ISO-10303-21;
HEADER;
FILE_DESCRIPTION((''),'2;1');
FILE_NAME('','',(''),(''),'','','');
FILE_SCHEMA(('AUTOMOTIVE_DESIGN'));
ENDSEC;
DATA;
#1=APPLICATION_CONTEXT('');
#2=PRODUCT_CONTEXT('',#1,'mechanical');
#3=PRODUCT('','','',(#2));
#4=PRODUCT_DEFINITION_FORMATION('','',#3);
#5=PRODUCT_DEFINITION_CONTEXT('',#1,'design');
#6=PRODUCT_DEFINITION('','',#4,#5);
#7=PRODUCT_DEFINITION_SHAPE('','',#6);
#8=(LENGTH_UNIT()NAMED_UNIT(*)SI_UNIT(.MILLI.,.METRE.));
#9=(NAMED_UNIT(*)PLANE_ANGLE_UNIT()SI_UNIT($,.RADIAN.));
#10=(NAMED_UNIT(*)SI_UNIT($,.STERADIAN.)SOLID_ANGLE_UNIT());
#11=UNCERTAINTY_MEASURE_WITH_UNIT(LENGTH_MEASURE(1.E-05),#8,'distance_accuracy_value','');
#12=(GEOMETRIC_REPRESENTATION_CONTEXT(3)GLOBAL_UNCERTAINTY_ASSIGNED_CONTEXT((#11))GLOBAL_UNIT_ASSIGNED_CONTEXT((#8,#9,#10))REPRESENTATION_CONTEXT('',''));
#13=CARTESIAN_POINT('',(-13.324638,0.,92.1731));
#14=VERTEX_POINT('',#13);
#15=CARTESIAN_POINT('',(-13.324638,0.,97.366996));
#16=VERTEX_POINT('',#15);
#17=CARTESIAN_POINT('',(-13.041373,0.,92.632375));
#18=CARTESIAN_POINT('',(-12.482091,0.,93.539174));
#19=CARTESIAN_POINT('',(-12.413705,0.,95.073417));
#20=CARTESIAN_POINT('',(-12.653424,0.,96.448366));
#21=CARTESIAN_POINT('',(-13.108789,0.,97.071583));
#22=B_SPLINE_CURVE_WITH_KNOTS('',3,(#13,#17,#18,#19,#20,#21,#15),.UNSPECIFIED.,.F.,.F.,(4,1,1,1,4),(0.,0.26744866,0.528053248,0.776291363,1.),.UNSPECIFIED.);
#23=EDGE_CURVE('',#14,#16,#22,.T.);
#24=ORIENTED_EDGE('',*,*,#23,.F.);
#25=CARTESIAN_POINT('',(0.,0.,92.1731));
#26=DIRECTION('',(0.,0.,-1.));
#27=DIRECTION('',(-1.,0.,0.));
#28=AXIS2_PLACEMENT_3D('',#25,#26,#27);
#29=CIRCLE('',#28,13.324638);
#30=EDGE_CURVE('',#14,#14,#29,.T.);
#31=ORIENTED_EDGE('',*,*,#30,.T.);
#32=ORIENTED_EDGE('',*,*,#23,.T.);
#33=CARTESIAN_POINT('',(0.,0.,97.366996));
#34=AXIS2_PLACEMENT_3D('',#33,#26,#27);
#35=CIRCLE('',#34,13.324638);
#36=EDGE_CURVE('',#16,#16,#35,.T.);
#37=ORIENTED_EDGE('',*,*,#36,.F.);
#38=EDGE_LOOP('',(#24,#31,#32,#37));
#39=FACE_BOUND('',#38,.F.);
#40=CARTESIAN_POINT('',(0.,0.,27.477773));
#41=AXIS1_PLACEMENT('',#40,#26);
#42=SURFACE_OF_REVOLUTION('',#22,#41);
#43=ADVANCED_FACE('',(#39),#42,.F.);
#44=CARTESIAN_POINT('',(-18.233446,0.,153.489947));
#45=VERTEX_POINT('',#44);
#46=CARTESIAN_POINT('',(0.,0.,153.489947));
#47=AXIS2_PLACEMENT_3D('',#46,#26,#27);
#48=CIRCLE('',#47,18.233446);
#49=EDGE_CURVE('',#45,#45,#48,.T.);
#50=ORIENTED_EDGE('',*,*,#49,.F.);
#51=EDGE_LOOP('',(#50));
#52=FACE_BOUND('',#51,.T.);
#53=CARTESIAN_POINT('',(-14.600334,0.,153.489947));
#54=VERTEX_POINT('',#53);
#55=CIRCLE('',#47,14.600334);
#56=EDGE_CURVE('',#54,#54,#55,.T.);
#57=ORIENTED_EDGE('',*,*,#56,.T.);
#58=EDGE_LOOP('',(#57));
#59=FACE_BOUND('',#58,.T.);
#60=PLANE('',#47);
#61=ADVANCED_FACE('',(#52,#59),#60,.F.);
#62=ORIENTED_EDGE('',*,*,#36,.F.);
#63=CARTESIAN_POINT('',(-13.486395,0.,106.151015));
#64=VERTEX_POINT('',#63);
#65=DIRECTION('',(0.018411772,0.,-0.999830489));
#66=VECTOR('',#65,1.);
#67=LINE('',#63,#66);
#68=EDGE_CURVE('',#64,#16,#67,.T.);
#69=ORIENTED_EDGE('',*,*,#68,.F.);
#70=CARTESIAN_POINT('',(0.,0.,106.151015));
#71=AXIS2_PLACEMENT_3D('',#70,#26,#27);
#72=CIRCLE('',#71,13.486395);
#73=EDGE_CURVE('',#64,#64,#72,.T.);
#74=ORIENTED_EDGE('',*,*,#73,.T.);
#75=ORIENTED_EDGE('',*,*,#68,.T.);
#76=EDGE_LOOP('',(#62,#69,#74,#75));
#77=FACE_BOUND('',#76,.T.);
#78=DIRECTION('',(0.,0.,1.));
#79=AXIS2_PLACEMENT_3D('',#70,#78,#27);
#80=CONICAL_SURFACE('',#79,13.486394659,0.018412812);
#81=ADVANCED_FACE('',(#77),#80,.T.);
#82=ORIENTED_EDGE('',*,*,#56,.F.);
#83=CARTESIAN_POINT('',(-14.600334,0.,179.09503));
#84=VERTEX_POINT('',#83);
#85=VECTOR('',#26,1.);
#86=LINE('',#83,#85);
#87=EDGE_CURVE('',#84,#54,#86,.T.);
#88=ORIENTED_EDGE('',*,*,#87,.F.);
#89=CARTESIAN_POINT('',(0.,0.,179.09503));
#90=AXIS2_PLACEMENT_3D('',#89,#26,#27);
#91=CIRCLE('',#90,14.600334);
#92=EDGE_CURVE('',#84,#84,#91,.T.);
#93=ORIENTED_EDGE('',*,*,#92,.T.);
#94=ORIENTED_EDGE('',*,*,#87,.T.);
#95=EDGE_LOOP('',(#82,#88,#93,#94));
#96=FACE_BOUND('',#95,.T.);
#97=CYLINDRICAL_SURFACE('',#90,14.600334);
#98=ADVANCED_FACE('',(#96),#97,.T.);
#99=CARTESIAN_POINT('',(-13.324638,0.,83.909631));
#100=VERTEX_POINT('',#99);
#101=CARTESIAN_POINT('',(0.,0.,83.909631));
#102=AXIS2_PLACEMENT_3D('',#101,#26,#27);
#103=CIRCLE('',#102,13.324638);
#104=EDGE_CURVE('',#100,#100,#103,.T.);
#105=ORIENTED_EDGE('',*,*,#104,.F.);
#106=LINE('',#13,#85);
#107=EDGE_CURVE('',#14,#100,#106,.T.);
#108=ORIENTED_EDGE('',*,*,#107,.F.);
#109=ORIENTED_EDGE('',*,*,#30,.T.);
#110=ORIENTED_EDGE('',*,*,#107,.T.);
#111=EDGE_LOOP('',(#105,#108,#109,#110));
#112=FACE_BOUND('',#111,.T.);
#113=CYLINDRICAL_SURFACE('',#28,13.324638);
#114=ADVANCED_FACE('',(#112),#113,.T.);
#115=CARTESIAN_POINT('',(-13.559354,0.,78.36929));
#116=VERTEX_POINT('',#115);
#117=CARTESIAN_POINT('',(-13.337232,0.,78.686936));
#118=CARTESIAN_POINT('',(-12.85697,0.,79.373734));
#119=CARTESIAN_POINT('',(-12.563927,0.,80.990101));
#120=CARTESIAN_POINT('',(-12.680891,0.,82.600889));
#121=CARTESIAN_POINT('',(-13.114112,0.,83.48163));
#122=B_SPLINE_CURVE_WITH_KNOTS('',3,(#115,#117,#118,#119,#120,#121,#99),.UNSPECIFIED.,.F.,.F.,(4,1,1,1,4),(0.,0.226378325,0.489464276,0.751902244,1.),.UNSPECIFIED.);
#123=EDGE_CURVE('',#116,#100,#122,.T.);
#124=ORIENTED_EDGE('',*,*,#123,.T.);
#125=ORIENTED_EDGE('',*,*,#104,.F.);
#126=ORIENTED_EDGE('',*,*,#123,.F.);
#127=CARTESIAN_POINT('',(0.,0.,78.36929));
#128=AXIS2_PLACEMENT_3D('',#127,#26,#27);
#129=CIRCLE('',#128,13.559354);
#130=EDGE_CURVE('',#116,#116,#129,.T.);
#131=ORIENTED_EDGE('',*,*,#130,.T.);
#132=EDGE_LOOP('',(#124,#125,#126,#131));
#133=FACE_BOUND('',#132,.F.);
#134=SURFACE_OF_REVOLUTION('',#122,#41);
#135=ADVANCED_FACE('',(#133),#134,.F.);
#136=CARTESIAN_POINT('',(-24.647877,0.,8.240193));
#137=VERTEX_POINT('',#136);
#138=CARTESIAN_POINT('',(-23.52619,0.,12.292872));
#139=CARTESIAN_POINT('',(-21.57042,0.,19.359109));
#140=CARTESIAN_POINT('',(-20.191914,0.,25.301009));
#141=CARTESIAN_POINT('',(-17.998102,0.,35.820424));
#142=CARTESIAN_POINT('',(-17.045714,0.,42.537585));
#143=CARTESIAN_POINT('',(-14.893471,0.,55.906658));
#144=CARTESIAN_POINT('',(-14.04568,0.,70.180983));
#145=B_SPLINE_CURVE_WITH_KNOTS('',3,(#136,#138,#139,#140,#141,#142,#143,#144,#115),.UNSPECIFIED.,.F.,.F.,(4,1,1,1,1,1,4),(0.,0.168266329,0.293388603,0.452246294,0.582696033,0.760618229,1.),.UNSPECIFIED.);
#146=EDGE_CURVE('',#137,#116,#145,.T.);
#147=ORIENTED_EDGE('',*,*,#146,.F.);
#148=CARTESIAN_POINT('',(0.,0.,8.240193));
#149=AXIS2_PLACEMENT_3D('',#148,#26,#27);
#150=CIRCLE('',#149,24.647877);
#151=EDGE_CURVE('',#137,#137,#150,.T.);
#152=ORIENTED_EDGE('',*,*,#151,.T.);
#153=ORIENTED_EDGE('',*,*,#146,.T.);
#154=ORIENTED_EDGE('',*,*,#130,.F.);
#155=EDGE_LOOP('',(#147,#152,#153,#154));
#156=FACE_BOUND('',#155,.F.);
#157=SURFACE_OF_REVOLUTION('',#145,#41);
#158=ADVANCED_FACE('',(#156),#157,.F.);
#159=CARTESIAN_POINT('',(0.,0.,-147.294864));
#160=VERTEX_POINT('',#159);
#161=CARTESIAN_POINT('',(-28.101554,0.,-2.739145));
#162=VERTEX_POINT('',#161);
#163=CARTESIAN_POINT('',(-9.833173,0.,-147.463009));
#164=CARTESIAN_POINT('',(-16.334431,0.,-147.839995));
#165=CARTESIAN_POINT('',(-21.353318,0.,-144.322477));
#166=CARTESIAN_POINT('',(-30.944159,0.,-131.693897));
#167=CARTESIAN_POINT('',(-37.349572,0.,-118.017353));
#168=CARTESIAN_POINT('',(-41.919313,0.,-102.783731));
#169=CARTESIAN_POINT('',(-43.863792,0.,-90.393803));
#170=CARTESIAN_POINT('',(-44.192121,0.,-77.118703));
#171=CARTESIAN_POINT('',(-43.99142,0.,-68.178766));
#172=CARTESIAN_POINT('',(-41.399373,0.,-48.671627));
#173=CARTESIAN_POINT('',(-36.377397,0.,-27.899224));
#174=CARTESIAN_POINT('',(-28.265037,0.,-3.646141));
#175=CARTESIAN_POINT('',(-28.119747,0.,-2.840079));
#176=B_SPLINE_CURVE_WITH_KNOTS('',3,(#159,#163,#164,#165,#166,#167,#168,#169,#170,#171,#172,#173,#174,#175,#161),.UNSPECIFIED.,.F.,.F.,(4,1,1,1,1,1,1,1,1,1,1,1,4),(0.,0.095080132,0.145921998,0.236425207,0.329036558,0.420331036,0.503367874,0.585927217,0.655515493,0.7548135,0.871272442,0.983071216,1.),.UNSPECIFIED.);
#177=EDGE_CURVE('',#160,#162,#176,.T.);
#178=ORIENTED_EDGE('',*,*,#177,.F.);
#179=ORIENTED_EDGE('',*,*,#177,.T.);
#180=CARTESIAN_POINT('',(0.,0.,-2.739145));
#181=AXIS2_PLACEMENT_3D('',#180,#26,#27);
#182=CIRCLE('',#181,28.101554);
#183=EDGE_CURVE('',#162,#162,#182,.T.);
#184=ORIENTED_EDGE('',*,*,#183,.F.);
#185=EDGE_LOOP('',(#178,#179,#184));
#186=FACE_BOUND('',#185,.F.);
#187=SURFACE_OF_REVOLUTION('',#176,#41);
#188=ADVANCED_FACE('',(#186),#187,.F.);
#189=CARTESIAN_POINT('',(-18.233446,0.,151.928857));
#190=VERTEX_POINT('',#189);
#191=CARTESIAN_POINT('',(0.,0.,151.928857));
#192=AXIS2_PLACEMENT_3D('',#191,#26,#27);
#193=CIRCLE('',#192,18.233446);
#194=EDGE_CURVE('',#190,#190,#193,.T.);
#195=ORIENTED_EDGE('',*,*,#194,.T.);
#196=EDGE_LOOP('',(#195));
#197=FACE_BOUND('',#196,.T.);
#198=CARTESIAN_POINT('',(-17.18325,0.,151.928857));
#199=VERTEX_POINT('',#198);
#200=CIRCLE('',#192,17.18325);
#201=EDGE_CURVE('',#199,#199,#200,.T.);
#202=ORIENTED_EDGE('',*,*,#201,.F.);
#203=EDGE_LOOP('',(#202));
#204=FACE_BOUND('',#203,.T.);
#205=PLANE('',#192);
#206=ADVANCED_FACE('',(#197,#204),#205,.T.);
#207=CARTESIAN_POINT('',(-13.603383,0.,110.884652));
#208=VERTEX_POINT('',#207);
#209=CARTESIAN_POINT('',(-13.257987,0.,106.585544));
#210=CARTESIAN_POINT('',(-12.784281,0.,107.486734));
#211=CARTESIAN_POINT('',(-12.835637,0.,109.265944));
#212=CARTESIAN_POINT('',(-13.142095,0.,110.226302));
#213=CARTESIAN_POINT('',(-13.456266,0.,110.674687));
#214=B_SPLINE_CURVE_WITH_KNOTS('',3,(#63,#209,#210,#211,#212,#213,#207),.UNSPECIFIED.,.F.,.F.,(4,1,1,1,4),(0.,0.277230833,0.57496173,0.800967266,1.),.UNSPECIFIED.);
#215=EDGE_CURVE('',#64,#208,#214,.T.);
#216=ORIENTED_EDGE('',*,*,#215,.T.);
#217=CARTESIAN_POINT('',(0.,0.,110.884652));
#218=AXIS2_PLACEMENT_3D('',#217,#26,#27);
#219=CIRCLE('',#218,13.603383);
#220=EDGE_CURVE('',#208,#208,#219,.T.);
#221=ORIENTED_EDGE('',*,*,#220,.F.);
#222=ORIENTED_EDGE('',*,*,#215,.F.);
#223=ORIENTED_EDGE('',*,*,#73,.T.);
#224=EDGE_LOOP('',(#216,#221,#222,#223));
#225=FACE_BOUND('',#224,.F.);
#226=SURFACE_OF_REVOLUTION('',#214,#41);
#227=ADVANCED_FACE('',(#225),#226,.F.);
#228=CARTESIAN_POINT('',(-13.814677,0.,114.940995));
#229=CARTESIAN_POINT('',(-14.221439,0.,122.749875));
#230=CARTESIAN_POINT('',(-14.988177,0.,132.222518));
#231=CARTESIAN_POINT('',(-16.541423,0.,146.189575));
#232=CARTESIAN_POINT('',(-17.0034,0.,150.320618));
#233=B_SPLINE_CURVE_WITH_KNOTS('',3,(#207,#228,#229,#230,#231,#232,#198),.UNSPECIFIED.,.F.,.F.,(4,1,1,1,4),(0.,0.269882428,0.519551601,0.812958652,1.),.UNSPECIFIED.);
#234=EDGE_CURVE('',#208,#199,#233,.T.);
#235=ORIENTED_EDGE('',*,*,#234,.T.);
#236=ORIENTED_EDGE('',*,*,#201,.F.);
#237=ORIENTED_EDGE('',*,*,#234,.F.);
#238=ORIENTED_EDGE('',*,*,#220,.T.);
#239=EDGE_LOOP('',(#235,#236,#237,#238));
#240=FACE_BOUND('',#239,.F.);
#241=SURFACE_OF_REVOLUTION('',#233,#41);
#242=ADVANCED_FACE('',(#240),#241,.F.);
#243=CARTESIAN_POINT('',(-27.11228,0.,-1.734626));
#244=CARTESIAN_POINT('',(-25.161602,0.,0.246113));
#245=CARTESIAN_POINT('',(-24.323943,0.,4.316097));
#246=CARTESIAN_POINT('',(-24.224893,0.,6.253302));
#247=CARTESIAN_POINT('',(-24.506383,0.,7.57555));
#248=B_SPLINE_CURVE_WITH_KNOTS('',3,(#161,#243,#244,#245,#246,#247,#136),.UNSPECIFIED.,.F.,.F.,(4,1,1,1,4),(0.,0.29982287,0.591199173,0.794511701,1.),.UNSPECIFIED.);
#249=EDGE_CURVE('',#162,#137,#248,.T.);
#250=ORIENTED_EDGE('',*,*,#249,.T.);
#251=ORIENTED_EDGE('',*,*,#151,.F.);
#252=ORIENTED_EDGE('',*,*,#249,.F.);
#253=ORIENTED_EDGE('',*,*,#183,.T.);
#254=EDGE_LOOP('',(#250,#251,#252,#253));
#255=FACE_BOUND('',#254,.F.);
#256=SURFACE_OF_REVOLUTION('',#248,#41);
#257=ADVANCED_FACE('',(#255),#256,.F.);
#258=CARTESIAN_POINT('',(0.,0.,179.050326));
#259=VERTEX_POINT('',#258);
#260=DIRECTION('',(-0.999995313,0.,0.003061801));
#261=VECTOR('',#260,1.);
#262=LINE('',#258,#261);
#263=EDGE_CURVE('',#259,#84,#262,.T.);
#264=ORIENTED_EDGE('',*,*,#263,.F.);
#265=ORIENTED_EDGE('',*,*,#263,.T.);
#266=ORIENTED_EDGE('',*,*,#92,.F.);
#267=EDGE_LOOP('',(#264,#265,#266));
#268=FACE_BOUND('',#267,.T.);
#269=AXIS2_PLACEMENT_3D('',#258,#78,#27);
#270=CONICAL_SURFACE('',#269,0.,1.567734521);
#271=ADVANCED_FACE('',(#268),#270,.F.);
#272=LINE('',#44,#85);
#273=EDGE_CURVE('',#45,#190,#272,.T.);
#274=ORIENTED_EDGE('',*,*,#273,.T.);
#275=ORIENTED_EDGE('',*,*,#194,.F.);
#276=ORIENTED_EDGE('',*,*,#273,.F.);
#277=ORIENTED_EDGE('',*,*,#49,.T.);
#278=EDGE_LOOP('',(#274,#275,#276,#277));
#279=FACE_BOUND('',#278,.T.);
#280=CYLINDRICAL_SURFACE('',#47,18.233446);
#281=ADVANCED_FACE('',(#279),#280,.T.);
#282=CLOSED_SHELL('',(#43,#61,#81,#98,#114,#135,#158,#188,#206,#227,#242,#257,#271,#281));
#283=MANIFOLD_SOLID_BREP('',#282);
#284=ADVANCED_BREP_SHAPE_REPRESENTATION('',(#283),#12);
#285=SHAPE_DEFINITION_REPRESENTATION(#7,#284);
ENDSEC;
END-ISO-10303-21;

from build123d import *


with BuildPart() as f1:
    # F0 (on Front) → F1 (revolve)
    with BuildSketch(Plane.XZ):
        with BuildLine():
            Line((0, -124.0947796885), (0, 179.0503263474))
            Line((0, 179.0503263474), (-14.6003337577, 179.0950298729))
            Line((-14.6003337577, 179.0950298729), (-14.6003337577, 153.489947319))
            Line((-14.6003337577, 153.489947319), (-18.2334464043, 153.489947319))
            Line((-18.2334464043, 153.489947319), (-18.2334464043, 151.9288569689))
            Line((-18.2334464043, 151.9288569689), (-17.1832498163, 151.9288569689))
            add(Edge.make_bspline(
                [(-13.6033827439, 110.8846515417), (-13.8146765395, 114.9409947272), (-14.2214389597, 122.7498750871), (-14.9881773692, 132.2225177405), (-16.541423105, 146.1895754392), (-17.0033996629, 150.3206181015), (-17.1832498163, 151.9288569689)],
                knots=[0, 0, 0, 0, 0.2698824285, 0.5195516007, 0.8129586517, 1, 1, 1, 1], degree=3))
            add(Edge.make_bspline(
                [(-13.4863946587, 106.1510145664), (-13.2579868336, 106.5855436757), (-12.7842813766, 107.4867335107), (-12.8356370914, 109.2659439867), (-13.1420948247, 110.2263024748), (-13.4562658369, 110.6746866273), (-13.6033827439, 110.8846515417)],
                knots=[0, 0, 0, 0, 0.2772308329, 0.5749617303, 0.8009672657, 1, 1, 1, 1], degree=3))
            Line((-13.4863946587, 106.1510145664), (-13.3246378973, 97.3669961095))
            add(Edge.make_bspline(
                [(-13.3246378973, 92.1730995178), (-13.0413727545, 92.6323753179), (-12.4820912879, 93.5391739467), (-12.4137045368, 95.0734171606), (-12.6534242113, 96.4483657732), (-13.1087892153, 97.0715832604), (-13.3246378973, 97.3669961095)],
                knots=[0, 0, 0, 0, 0.26744866, 0.5280532484, 0.7762913632, 1, 1, 1, 1], degree=3))
            Line((-13.3246378973, 92.1730995178), (-13.3246378973, 83.9096307755))
            add(Edge.make_bspline(
                [(-13.5593535379, 78.3692896366), (-13.3372315638, 78.6869355169), (-12.8569701634, 79.3737340923), (-12.5639270181, 80.9901013152), (-12.6808907318, 82.6008894563), (-13.1141116929, 83.4816299123), (-13.3246378973, 83.9096307755)],
                knots=[0, 0, 0, 0, 0.2263783247, 0.4894642762, 0.7519022443, 1, 1, 1, 1], degree=3))
            add(Edge.make_bspline(
                [(-24.6478766203, 8.2401931286), (-23.5261896735, 12.2928718642), (-21.5704200988, 19.3591088296), (-20.1919140989, 25.3010086073), (-17.9981024103, 35.8204239098), (-17.0457140544, 42.5375845113), (-14.8934711413, 55.906658368), (-14.0456796703, 70.1809825785), (-13.5593535379, 78.3692896366)],
                knots=[0, 0, 0, 0, 0.1682663288, 0.2933886031, 0.4522462935, 0.5826960334, 0.7606182286, 1, 1, 1, 1], degree=3))
            add(Edge.make_bspline(
                [(-28.1015541404, -2.7391454205), (-27.1122803301, -1.7346261025), (-25.161602391, 0.2461133574), (-24.3239430495, 4.316097403), (-24.2248931097, 6.2533020912), (-24.5063827238, 7.575550305), (-24.6478766203, 8.2401931286)],
                knots=[0, 0, 0, 0, 0.2998228702, 0.591199173, 0.7945117012, 1, 1, 1, 1], degree=3))
            add(Edge.make_bspline(
                [(0, -147.2948640585), (-9.833172895, -147.4630087614), (-16.3344312611, -147.8399946221), (-21.3533175488, -144.322477052), (-30.9441594921, -131.6938967158), (-37.3495716767, -118.0173533822), (-41.9193129781, -102.7837311832), (-43.8637920224, -90.3938028123), (-44.1921210275, -77.1187032151), (-43.9914198651, -68.1787659225), (-41.399373405, -48.6716266867), (-36.3773968886, -27.8992242755), (-28.2650374245, -3.6461410565), (-28.1197471428, -2.8400790562), (-28.1015541404, -2.7391454205)],
                knots=[0, 0, 0, 0, 0.0950801316, 0.1459219982, 0.2364252068, 0.3290365584, 0.4203310363, 0.5033678743, 0.5859272174, 0.655515493, 0.7548135, 0.8712724424, 0.9830712163, 1, 1, 1, 1], degree=3))
            Line((0, -147.2948640585), (0, -124.0947796885))
        make_face()
    revolve(axis=Axis((0, 0, 27.4777733294), (0, 0, -1)))


solid = f1.part
